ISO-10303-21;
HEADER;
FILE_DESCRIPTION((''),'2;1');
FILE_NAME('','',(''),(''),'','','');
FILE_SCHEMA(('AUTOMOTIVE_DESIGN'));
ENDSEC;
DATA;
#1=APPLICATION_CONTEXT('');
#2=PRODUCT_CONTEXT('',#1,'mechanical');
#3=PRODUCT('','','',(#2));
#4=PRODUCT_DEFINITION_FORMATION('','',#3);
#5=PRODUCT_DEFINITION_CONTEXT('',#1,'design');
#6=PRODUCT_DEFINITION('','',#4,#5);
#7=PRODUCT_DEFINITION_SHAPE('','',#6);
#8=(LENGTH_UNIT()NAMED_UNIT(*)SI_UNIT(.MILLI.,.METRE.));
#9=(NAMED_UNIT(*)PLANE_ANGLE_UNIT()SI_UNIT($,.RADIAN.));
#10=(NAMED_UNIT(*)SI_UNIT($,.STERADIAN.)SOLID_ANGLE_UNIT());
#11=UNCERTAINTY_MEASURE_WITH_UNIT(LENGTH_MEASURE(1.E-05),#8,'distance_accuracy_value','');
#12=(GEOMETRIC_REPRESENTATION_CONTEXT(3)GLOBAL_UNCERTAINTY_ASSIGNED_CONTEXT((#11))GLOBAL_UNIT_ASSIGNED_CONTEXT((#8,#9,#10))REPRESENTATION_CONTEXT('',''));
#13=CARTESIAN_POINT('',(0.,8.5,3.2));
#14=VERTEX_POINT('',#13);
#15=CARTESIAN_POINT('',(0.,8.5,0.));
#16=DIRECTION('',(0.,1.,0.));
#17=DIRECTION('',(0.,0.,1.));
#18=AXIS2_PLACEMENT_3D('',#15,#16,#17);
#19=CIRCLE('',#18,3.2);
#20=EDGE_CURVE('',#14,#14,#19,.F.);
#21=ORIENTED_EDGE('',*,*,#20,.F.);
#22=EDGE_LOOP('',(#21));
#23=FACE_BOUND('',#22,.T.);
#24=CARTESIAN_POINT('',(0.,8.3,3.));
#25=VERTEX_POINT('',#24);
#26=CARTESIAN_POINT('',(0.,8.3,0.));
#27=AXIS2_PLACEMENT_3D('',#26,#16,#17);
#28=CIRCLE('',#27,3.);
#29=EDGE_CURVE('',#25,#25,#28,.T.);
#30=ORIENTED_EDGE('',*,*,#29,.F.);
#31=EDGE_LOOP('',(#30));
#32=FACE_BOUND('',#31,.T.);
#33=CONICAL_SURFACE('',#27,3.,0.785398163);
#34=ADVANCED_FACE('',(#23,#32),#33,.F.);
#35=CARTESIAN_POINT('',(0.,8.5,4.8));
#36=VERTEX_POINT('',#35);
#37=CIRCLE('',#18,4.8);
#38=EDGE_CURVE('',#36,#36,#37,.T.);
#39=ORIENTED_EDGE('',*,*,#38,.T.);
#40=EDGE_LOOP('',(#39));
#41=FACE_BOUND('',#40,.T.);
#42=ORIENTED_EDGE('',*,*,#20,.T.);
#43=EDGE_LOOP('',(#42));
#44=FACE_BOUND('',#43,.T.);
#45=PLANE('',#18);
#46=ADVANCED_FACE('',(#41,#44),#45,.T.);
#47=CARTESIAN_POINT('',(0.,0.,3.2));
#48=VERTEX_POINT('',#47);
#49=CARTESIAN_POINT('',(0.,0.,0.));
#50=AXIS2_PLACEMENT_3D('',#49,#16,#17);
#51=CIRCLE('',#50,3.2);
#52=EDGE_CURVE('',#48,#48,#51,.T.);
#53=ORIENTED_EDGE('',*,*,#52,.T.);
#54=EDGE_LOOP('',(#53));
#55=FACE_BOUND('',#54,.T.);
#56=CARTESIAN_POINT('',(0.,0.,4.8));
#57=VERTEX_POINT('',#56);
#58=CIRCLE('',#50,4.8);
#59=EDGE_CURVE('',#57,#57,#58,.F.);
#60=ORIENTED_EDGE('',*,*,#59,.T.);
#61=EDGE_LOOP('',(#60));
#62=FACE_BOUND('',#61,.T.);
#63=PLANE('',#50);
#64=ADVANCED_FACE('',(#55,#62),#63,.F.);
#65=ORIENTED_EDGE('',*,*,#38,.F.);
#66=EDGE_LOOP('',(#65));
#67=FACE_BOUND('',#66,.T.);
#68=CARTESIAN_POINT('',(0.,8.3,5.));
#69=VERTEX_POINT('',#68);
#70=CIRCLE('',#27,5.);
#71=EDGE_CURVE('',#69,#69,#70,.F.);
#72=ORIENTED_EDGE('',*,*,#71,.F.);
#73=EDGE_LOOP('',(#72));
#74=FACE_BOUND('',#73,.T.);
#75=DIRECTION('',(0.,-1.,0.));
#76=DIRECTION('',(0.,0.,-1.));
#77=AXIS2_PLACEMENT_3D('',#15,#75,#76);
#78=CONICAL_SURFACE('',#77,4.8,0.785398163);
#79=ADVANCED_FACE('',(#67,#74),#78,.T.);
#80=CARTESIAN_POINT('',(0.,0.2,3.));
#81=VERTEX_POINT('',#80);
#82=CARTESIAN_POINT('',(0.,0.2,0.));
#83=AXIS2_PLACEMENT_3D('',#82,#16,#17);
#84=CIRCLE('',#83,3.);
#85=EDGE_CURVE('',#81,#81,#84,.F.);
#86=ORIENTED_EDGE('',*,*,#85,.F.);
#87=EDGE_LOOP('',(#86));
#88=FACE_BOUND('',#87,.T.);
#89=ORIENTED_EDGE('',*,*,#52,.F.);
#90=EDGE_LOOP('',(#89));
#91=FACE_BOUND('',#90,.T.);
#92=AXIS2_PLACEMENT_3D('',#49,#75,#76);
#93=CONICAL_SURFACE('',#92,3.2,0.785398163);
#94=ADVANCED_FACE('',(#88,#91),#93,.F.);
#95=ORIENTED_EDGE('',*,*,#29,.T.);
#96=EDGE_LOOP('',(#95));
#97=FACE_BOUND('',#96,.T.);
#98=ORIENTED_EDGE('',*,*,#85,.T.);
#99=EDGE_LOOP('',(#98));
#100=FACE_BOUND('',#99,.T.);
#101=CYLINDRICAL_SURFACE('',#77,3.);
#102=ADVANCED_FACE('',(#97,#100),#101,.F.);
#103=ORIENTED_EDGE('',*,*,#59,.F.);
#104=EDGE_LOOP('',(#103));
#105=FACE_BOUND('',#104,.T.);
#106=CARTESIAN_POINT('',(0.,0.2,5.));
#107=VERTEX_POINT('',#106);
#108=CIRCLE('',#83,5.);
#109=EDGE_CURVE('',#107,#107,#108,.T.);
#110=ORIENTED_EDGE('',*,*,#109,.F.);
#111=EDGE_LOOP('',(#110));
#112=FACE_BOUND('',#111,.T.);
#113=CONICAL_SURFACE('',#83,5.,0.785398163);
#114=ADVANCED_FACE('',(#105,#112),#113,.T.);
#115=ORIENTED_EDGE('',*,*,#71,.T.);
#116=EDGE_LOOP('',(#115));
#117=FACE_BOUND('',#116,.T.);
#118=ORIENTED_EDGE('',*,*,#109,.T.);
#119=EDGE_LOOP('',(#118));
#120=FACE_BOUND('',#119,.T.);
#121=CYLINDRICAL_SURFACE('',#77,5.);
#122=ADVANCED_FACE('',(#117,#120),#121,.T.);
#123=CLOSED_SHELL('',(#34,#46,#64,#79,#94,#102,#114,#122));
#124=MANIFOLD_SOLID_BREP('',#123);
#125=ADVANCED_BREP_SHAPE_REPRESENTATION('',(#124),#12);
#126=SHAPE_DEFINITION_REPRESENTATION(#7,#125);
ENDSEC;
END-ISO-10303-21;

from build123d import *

# Parameters (mm, degrees)
SKETCH1_R           = 5
SKETCH1_R_2         = 3
BOSS_EXTRUDE1_DEPTH = 8.5
CHAMFER1_SIZE       = 0.2


with BuildPart() as part:
    # Sketch1 → Boss-Extrude1 (new body)
    with BuildSketch(Plane(origin=(0, 0, 0), x_dir=(1, 0, 0), z_dir=(0, 1, 0))):
        with Locations(Location((0, 0, 0), (0, 0, 270))):
            Circle(SKETCH1_R)
        with Locations(Location((0, 0, 0), (0, 0, 270))):
            Circle(SKETCH1_R_2, mode=Mode.SUBTRACT)
    extrude(amount=BOSS_EXTRUDE1_DEPTH)

    # Chamfer1
    chamfer1_edges = [part.edges().sort_by_distance(p)[0] for p in [
        (0, 0, -5),
        (0, 8.5, -5),
        (0, 0, -3),
        (0, 8.5, -3),
    ]]
    chamfer(chamfer1_edges, length=CHAMFER1_SIZE)


solid = part.part
